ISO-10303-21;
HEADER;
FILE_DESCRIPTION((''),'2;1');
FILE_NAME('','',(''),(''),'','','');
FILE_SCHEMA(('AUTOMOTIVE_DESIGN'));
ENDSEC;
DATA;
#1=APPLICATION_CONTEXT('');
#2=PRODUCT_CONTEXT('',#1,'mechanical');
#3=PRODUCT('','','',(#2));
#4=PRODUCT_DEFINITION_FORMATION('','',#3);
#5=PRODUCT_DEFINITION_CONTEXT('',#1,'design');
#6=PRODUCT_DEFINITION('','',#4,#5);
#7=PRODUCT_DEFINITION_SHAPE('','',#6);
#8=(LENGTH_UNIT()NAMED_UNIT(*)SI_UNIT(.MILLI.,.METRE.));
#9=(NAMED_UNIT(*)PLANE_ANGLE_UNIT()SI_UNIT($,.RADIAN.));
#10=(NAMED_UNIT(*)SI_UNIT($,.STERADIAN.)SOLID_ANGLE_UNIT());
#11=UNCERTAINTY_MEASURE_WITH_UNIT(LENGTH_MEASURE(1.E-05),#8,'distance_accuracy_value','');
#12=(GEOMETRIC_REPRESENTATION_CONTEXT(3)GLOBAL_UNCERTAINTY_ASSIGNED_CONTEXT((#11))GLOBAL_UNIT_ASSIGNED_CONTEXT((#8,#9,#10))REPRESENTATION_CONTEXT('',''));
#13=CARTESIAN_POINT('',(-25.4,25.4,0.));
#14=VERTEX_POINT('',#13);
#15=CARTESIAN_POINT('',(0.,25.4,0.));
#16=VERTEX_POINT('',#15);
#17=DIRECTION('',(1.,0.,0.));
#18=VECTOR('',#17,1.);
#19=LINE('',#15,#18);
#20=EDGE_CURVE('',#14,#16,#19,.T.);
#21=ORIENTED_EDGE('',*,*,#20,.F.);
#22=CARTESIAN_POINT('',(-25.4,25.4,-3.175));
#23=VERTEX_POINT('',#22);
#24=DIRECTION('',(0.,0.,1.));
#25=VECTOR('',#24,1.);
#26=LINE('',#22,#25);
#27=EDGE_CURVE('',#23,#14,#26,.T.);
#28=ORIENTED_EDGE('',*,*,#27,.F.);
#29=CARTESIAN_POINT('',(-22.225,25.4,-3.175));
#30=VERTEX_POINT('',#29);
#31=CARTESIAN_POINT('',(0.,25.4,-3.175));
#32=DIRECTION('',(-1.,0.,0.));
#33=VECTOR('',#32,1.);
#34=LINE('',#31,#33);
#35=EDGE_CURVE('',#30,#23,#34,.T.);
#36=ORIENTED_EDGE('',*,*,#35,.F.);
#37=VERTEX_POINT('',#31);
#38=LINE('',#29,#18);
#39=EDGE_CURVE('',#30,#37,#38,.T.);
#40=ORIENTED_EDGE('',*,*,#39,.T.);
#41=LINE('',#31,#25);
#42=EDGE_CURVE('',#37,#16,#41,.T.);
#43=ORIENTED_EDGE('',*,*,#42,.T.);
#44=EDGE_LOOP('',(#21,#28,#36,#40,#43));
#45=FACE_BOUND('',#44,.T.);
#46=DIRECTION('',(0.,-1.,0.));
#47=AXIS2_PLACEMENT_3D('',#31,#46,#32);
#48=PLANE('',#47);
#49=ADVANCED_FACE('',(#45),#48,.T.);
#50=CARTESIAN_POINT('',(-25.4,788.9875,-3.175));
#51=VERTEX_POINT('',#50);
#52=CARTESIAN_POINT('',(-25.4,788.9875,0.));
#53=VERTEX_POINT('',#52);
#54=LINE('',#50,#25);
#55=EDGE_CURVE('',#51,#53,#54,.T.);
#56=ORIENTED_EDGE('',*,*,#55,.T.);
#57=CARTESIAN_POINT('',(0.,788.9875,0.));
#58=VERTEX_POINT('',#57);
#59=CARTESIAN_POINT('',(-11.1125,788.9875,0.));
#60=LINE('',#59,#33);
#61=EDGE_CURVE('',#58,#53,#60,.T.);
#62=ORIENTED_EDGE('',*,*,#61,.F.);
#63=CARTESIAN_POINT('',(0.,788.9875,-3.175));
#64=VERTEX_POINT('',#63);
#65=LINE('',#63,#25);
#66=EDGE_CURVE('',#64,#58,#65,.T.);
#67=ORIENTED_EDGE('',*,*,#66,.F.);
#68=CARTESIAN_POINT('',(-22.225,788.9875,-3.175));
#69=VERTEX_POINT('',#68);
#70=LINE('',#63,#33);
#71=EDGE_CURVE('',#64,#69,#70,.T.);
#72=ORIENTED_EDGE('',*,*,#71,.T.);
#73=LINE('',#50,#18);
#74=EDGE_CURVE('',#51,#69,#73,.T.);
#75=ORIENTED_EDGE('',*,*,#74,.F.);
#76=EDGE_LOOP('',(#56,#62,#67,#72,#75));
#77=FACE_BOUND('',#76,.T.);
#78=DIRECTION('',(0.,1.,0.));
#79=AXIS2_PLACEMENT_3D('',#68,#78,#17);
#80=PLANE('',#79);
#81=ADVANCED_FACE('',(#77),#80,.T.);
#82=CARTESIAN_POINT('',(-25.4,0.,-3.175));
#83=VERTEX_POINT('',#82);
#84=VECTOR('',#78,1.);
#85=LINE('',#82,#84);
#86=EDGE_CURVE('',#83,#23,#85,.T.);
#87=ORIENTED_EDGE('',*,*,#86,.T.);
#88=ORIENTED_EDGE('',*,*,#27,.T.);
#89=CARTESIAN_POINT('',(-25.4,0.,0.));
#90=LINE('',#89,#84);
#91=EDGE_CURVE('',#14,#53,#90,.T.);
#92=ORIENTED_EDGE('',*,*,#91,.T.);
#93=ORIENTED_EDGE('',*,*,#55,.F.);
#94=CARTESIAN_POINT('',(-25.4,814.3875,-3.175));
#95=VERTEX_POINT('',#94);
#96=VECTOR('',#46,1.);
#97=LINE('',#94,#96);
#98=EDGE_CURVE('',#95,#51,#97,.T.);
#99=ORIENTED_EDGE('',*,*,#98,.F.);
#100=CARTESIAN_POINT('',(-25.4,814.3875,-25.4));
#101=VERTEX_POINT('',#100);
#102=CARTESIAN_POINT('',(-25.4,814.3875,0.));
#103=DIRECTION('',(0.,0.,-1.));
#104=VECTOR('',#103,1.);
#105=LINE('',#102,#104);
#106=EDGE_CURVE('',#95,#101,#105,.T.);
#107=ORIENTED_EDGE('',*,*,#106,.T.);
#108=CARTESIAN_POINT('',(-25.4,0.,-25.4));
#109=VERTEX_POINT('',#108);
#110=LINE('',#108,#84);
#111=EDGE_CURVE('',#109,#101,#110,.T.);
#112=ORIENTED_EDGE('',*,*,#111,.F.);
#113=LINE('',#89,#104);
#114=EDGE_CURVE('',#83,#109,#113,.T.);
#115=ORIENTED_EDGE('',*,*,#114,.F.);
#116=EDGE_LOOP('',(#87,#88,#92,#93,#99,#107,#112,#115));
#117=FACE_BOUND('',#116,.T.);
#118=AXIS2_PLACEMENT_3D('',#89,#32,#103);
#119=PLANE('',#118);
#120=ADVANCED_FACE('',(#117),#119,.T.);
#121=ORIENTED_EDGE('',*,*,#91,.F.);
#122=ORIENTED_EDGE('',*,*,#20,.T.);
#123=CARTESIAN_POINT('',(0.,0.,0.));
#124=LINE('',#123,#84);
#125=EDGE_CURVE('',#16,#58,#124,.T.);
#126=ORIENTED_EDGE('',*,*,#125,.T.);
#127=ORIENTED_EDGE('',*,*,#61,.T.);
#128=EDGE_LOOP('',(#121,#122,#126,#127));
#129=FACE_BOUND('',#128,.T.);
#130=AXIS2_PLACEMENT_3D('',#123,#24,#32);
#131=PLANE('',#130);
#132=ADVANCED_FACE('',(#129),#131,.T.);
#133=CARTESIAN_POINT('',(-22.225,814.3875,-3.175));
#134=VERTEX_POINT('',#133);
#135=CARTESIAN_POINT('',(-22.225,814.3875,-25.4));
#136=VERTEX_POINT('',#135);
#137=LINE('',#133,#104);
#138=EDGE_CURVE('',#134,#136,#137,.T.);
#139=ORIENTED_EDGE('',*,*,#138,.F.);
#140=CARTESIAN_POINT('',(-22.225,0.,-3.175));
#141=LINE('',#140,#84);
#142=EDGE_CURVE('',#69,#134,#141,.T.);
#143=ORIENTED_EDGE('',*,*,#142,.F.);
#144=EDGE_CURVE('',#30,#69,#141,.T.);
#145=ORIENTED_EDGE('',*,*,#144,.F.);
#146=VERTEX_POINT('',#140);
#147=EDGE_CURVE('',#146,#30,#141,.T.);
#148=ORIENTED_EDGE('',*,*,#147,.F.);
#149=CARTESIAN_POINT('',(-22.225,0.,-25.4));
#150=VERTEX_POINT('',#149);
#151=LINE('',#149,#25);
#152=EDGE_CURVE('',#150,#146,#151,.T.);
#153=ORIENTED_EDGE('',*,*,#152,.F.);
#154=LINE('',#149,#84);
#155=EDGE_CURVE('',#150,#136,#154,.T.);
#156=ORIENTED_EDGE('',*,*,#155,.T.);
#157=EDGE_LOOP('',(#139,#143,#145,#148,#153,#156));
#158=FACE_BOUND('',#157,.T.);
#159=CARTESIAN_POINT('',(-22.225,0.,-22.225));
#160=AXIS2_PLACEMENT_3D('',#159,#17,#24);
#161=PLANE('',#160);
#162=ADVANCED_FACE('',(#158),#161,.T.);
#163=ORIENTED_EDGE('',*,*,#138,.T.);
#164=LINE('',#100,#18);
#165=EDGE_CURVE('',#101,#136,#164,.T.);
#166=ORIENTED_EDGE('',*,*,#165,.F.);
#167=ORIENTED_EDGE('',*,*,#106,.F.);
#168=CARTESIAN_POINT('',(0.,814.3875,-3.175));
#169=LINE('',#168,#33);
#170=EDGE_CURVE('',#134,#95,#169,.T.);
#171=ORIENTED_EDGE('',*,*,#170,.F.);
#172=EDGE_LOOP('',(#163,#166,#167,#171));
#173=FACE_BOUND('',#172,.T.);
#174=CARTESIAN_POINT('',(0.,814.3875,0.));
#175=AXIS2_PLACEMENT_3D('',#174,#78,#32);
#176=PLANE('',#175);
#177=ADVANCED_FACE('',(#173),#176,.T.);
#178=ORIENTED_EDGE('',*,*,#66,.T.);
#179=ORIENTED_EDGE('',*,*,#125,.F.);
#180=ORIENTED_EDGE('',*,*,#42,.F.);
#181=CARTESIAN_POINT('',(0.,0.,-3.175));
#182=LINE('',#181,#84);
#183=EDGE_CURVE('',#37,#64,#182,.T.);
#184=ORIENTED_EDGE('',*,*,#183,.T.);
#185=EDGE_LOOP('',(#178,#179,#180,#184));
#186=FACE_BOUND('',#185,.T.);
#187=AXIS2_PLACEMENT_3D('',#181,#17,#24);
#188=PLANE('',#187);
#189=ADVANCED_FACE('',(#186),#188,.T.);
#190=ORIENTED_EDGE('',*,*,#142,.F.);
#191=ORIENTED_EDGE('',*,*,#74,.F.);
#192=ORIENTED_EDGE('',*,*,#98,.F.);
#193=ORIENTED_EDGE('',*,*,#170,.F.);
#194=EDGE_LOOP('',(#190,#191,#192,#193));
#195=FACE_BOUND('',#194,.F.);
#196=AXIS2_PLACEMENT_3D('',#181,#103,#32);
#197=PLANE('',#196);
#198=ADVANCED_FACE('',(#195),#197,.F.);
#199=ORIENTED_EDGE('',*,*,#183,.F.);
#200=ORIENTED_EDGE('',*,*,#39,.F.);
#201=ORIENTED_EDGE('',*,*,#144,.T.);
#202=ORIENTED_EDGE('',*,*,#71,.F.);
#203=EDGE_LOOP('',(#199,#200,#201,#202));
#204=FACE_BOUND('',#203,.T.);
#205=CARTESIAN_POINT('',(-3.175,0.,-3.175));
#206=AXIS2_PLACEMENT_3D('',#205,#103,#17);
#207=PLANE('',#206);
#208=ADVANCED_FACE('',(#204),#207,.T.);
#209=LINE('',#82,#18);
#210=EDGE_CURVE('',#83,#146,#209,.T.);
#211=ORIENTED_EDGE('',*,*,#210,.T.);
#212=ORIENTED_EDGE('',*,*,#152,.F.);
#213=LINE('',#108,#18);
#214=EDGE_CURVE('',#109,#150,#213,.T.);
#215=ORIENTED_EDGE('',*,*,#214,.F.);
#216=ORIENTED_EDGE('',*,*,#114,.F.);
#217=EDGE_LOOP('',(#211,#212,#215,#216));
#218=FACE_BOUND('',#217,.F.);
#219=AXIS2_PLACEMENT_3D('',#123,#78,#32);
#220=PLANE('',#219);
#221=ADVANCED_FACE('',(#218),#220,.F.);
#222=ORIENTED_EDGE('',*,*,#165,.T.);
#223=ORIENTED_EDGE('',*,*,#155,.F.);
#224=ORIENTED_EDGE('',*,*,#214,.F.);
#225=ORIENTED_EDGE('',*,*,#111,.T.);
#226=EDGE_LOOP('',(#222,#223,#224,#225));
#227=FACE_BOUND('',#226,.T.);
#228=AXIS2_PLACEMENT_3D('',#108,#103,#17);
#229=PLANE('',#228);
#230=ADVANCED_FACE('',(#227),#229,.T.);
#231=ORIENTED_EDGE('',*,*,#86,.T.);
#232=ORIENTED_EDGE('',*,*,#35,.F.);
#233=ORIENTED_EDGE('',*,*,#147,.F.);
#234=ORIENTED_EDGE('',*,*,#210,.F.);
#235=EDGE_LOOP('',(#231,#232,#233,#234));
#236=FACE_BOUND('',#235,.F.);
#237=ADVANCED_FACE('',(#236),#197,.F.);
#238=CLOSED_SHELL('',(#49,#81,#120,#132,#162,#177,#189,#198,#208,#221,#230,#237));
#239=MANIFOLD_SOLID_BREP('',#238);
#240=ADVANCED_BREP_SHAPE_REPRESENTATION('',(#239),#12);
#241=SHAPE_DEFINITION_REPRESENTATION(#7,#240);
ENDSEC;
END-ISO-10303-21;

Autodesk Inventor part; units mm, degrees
ref_plane "YZ Plane" through (0, 0, 0) normal (1, 0, 0) x (0, 1, 0)
ref_plane "XZ Plane" through (0, 0, 0) normal (0, 1, 0) x (-1, 0, 0)
ref_plane "XY Plane" through (0, 0, 0) normal (0, 0, 1) x (1, 0, 0)
sketch "Sketch1" plane through (0, 0, 0) normal (0, 1, 0) x (-1, 0, 0)
  line L0 (0, 0) -> (25.4, 0)
  line L1 (25.4, 0) -> (25.4, -25.4)
  line L2 (25.4, -25.4) -> (0, -25.4)
  line L3 (0, -25.4) -> (0, 0)
  line L4 (22.225, -22.225) -> (22.225, -3.175)
  line L5 (22.225, -3.175) -> (3.175, -3.175)
  line L6 (3.175, -3.175) -> (3.175, -22.225)
  line L7 (3.175, -22.225) -> (22.225, -22.225)
  line L8 (22.225, -22.225) -> (22.225, -25.4)
  line L9 (3.175, -3.175) -> (0, -3.175)
  dimension "d0" = 25.4
  dimension "d1" = 25.4
  dimension "d2" = 3.175
extrude "Extrusion1" add sketch "Sketch1" along normal blind 814.3875 contours L0 L1 L2 L8 L4 L5 L9 L3
sketch "Sketch2" plane through (0, 0, -3.175) normal (0, 0, -1) x (-1, 0, 0)
  line L0 (0, 0) -> (22.225, 0) projected
  line L1 (22.225, 0) -> (22.225, 814.3875) projected
  line L2 (0, 814.3875) -> (22.225, 814.3875) projected
  line L3 (0, 0) -> (0, 814.3875) projected
  line L4 (22.225, 0) -> (22.225, 814.3875) projected
  line L5 (0, 0) -> (0, 814.3875) projected
  line L6 (22.225, 0) -> (0, 0)
  line L7 (0, 0) -> (0, 25.4)
  line L8 (0, 25.4) -> (22.225, 25.4)
  line L9 (22.225, 25.4) -> (22.225, 0)
  line L10 (0, 814.3875) -> (22.225, 814.3875)
  line L11 (22.225, 814.3875) -> (22.225, 788.9875)
  line L12 (22.225, 788.9875) -> (0, 788.9875)
  line L13 (0, 788.9875) -> (0, 814.3875)
  line L14 (0, 814.3875) -> (25.4, 814.3875)
  line L15 (25.4, 814.3875) -> (25.4, 788.9875)
  line L16 (25.4, 788.9875) -> (0, 788.9875)
  line L17 (0, 788.9875) -> (0, 814.3875)
  line L18 (25.4, 0) -> (25.4, 814.3875) projected
  line L19 (0, 25.4) -> (25.4, 25.4)
  line L20 (25.4, 25.4) -> (25.4, 0)
  line L21 (25.4, 0) -> (0, 0)
  line L22 (0, 0) -> (0, 25.4)
  dimension "d5" = 25.4
  dimension "d6" = 25.4
extrude "Extrusion2" cut sketch "Sketch2" against normal blind 25.4 contours L3 L8 L1 L0 | L1 L19 L18 L21 | L3 L2 L1 L12 | L1 L14 L15 L16
properties part number "BumberMount.ver1-1111-2020"
